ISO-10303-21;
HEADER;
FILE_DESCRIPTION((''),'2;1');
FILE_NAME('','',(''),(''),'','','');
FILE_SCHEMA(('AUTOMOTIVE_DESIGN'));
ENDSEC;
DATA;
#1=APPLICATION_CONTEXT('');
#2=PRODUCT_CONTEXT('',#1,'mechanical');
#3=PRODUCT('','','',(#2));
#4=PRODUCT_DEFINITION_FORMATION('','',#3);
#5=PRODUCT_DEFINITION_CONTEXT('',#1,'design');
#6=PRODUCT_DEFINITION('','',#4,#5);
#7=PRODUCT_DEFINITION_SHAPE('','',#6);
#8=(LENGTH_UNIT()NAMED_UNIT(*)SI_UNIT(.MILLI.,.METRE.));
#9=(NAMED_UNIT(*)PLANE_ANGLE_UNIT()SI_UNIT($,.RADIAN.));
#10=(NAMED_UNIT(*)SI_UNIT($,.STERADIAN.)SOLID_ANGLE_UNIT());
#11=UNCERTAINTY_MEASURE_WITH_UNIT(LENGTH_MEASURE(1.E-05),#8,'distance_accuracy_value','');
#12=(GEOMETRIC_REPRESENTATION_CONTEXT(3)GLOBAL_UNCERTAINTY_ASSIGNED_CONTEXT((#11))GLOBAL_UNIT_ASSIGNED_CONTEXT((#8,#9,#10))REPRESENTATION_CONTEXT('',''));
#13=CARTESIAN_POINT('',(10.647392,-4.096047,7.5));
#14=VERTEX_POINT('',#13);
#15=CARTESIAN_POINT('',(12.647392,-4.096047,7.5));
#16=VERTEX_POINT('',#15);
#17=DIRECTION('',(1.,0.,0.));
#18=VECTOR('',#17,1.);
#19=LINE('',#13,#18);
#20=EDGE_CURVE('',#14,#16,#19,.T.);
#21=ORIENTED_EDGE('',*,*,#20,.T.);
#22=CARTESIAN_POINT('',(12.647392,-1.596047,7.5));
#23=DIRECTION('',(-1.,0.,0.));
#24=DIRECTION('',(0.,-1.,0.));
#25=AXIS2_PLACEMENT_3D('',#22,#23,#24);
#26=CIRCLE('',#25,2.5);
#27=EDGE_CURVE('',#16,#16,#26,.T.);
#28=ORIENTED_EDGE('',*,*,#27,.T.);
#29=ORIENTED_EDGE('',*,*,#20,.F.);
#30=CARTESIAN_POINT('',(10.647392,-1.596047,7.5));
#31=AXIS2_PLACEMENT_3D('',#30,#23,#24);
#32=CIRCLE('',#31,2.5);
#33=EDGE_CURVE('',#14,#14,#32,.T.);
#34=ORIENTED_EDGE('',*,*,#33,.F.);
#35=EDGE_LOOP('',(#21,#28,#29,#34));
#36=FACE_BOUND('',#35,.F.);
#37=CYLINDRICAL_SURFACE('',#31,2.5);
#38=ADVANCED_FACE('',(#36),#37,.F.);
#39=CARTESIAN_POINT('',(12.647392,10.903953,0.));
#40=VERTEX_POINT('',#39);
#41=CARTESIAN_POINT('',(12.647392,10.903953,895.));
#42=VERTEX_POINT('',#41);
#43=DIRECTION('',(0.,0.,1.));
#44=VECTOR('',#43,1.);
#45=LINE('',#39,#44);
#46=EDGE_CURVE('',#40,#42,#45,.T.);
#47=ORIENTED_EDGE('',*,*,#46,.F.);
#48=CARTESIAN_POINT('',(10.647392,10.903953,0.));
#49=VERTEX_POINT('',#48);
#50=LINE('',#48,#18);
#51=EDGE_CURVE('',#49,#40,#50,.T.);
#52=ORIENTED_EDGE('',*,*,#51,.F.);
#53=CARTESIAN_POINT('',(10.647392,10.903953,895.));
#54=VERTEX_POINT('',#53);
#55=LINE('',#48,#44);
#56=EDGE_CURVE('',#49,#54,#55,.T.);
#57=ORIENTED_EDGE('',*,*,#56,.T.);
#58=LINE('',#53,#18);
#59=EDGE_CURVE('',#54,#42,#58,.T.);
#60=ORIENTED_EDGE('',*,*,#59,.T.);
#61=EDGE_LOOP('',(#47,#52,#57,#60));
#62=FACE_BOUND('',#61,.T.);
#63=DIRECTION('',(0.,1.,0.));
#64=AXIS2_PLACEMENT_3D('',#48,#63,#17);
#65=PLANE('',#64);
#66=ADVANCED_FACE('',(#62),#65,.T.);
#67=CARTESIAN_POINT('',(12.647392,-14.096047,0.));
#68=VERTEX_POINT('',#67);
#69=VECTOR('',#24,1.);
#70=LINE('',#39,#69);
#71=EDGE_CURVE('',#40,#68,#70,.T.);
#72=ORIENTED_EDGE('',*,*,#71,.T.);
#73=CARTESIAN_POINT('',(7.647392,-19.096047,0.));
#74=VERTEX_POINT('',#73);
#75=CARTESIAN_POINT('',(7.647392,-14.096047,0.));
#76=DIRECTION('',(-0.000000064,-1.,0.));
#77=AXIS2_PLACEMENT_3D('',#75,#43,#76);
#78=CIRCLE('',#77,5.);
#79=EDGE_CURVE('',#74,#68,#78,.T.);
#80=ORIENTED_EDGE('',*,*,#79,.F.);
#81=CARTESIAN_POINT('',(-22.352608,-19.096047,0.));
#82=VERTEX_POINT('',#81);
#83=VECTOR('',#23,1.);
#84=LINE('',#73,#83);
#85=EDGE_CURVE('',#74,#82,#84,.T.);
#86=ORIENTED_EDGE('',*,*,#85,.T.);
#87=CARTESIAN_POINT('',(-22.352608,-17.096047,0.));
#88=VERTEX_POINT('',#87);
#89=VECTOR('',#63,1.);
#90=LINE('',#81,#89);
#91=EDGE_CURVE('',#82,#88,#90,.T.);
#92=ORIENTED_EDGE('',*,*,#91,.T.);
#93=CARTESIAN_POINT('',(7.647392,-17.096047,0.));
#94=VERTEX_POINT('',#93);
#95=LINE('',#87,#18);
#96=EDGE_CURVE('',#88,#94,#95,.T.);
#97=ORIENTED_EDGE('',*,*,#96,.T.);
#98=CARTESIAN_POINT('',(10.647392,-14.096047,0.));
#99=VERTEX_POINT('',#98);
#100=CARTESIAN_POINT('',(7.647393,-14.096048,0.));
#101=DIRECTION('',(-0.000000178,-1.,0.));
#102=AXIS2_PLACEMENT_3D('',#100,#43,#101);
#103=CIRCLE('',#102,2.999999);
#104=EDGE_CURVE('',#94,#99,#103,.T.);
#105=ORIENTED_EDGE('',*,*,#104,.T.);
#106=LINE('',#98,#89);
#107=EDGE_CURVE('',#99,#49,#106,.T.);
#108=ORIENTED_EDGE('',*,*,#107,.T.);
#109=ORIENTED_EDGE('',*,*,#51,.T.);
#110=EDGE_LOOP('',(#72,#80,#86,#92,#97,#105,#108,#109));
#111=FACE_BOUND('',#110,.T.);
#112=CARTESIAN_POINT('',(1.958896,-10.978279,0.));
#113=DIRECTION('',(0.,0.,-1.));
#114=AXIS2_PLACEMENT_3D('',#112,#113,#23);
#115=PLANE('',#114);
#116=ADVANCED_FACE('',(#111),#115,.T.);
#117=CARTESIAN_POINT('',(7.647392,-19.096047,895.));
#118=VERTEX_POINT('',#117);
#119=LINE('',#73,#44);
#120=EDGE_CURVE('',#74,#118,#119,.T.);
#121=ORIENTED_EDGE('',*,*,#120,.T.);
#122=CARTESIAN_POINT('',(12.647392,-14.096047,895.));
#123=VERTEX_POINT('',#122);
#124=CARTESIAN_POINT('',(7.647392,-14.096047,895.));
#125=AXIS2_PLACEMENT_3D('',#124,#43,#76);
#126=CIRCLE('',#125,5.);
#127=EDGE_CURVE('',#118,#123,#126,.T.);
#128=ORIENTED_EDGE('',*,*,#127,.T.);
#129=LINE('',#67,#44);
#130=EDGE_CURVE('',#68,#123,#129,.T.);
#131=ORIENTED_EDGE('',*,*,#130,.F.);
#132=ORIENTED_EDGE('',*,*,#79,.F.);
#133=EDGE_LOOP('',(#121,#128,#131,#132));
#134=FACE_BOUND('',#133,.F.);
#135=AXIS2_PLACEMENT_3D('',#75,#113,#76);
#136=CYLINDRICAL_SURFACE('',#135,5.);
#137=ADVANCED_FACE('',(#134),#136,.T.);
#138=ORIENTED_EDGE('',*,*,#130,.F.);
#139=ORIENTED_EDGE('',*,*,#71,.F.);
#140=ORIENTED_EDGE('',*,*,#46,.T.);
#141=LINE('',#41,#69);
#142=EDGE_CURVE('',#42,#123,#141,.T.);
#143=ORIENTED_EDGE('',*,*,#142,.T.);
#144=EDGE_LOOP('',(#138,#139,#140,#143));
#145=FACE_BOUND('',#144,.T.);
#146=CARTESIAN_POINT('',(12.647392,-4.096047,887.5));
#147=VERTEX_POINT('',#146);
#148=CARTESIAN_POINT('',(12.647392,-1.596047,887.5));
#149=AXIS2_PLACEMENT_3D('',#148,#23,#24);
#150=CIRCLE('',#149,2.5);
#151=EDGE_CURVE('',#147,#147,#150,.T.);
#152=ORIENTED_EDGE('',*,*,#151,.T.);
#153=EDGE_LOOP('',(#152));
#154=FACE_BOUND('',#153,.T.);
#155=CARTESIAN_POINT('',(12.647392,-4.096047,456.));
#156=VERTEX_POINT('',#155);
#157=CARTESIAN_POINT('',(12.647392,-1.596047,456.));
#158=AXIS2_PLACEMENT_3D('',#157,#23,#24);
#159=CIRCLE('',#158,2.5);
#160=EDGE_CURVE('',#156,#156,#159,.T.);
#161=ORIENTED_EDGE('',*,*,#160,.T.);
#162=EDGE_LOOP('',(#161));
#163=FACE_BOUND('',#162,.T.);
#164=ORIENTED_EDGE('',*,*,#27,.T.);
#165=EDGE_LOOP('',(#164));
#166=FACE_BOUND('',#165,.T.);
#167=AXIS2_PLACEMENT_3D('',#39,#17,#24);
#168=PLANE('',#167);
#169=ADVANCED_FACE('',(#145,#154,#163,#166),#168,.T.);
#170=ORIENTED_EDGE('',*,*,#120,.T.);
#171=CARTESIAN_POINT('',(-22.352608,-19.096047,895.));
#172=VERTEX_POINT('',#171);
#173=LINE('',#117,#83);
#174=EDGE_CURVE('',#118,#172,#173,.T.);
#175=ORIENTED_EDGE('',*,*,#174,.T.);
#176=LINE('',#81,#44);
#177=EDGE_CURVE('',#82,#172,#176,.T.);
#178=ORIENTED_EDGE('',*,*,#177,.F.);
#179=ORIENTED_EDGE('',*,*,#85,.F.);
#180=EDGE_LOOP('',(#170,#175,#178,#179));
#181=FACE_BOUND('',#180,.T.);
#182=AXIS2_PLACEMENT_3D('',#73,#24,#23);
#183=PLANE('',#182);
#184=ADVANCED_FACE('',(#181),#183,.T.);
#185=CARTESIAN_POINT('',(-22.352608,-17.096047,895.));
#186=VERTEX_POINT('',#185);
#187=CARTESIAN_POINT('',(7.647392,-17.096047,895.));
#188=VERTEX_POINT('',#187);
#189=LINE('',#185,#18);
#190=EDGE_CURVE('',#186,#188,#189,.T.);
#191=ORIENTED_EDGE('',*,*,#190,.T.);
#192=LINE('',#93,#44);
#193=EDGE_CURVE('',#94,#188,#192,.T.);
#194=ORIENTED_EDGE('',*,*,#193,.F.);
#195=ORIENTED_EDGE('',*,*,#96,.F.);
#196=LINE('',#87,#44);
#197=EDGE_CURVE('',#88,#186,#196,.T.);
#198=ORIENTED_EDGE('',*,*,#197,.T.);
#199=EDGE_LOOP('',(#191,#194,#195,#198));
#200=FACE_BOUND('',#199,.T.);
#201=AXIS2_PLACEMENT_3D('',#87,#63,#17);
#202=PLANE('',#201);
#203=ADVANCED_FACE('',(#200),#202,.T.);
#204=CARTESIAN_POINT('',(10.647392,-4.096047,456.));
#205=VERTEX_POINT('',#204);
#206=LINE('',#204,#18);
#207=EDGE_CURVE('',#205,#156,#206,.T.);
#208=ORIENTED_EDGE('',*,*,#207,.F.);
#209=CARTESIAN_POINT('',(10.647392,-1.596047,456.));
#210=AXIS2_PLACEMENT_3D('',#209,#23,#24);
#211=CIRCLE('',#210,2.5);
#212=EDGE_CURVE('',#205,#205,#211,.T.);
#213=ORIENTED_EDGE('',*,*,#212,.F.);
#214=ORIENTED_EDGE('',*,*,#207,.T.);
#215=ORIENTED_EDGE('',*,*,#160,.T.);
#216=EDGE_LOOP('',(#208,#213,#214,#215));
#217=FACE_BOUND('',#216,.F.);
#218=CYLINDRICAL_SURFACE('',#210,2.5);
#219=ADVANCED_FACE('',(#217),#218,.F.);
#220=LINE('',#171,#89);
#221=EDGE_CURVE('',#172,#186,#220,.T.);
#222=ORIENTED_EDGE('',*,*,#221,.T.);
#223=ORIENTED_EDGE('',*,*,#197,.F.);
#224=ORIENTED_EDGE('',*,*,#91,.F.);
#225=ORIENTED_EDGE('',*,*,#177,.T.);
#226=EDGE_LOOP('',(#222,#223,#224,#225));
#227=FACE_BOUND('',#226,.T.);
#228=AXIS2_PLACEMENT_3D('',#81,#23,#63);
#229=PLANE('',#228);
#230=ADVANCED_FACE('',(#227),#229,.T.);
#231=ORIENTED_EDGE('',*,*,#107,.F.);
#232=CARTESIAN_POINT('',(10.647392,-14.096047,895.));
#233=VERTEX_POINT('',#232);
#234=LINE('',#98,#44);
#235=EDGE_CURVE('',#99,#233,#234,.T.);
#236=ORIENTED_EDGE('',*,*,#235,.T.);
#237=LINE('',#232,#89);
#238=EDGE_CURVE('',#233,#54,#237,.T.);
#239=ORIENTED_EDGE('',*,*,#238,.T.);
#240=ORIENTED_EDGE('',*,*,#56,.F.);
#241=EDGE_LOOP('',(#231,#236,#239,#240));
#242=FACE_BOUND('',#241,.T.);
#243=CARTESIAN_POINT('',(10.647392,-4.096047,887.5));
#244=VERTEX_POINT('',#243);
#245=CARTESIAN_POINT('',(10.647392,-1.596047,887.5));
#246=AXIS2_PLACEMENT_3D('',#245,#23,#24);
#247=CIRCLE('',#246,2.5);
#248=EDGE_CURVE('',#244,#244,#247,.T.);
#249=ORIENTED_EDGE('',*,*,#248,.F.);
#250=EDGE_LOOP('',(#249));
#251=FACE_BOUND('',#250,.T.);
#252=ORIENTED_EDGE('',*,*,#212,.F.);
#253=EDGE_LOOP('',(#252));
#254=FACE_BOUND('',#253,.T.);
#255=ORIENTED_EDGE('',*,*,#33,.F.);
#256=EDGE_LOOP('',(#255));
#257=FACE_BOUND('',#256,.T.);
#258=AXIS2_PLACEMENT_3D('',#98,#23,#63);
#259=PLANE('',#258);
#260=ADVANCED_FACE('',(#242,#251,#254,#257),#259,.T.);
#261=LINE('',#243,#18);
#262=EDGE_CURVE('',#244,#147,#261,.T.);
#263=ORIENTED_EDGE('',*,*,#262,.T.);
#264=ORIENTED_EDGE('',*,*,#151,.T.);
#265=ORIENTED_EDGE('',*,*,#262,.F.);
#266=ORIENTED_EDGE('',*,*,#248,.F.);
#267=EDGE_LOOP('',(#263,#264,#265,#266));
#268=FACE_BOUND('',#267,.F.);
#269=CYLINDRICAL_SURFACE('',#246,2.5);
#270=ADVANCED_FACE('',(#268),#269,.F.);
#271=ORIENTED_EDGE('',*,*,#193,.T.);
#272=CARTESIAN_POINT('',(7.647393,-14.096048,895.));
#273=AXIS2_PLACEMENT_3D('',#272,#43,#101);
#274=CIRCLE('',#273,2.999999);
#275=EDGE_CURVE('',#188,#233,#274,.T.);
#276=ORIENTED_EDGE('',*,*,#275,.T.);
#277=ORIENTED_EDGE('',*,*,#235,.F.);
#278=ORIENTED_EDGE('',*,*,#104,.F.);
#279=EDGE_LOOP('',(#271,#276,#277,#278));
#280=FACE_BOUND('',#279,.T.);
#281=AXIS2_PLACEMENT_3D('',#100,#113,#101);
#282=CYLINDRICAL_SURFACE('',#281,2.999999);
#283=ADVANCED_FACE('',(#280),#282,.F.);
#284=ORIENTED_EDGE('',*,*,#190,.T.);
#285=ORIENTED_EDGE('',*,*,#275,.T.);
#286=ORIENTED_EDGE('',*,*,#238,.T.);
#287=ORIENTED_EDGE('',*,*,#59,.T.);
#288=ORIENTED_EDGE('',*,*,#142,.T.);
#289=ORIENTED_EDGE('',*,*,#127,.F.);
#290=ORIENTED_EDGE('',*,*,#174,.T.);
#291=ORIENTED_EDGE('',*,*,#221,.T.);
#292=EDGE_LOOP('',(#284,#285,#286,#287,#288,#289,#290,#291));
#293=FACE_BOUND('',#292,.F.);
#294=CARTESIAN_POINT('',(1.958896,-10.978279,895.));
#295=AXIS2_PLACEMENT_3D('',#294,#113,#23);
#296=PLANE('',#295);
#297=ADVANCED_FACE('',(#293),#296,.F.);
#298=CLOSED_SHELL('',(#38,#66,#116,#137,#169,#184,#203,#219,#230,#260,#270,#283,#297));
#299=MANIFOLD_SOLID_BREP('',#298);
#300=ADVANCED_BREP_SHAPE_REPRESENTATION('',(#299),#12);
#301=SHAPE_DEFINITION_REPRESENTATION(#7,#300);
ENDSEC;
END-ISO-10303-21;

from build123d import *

# Parameters (mm, degrees)
PAD_DEPTH    = 895
SKETCH001_R  = 2.5
POCKET_DEPTH = 5


with BuildPart() as part:
    # Sketch → Pad (new body)
    with BuildSketch(Plane.XY):
        with BuildLine():
            Line((10.647392, 10.903953), (12.647392, 10.903953))
            Line((12.647392, 10.903953), (12.647392, -14.096047))
            ThreePointArc((7.647392, -19.096047), (11.182926, -17.631581), (12.647392, -14.096047))
            Line((7.647392, -19.096047), (-22.352608, -19.096047))
            Line((-22.352608, -19.096047), (-22.352608, -17.096047))
            Line((-22.352608, -17.096047), (7.647392, -17.096047))
            ThreePointArc((7.647392, -17.096047), (9.768712, -16.217368), (10.647392, -14.096047))
            Line((10.647392, -14.096047), (10.647392, 10.903953))
        make_face()
    extrude(amount=PAD_DEPTH)

    # Sketch001 → Pocket (cut)
    with BuildSketch(Plane(origin=(10.647392, 0, 0), x_dir=(0, -1, 0), z_dir=(-1, 0, 0))):
        with Locations((1.596047, 7.5)):
            Circle(SKETCH001_R)
        with Locations((1.596047, 456)):
            Circle(SKETCH001_R)
        with Locations((1.596047, 887.5)):
            Circle(SKETCH001_R)
    extrude(amount=-POCKET_DEPTH, mode=Mode.SUBTRACT)


solid = part.part
